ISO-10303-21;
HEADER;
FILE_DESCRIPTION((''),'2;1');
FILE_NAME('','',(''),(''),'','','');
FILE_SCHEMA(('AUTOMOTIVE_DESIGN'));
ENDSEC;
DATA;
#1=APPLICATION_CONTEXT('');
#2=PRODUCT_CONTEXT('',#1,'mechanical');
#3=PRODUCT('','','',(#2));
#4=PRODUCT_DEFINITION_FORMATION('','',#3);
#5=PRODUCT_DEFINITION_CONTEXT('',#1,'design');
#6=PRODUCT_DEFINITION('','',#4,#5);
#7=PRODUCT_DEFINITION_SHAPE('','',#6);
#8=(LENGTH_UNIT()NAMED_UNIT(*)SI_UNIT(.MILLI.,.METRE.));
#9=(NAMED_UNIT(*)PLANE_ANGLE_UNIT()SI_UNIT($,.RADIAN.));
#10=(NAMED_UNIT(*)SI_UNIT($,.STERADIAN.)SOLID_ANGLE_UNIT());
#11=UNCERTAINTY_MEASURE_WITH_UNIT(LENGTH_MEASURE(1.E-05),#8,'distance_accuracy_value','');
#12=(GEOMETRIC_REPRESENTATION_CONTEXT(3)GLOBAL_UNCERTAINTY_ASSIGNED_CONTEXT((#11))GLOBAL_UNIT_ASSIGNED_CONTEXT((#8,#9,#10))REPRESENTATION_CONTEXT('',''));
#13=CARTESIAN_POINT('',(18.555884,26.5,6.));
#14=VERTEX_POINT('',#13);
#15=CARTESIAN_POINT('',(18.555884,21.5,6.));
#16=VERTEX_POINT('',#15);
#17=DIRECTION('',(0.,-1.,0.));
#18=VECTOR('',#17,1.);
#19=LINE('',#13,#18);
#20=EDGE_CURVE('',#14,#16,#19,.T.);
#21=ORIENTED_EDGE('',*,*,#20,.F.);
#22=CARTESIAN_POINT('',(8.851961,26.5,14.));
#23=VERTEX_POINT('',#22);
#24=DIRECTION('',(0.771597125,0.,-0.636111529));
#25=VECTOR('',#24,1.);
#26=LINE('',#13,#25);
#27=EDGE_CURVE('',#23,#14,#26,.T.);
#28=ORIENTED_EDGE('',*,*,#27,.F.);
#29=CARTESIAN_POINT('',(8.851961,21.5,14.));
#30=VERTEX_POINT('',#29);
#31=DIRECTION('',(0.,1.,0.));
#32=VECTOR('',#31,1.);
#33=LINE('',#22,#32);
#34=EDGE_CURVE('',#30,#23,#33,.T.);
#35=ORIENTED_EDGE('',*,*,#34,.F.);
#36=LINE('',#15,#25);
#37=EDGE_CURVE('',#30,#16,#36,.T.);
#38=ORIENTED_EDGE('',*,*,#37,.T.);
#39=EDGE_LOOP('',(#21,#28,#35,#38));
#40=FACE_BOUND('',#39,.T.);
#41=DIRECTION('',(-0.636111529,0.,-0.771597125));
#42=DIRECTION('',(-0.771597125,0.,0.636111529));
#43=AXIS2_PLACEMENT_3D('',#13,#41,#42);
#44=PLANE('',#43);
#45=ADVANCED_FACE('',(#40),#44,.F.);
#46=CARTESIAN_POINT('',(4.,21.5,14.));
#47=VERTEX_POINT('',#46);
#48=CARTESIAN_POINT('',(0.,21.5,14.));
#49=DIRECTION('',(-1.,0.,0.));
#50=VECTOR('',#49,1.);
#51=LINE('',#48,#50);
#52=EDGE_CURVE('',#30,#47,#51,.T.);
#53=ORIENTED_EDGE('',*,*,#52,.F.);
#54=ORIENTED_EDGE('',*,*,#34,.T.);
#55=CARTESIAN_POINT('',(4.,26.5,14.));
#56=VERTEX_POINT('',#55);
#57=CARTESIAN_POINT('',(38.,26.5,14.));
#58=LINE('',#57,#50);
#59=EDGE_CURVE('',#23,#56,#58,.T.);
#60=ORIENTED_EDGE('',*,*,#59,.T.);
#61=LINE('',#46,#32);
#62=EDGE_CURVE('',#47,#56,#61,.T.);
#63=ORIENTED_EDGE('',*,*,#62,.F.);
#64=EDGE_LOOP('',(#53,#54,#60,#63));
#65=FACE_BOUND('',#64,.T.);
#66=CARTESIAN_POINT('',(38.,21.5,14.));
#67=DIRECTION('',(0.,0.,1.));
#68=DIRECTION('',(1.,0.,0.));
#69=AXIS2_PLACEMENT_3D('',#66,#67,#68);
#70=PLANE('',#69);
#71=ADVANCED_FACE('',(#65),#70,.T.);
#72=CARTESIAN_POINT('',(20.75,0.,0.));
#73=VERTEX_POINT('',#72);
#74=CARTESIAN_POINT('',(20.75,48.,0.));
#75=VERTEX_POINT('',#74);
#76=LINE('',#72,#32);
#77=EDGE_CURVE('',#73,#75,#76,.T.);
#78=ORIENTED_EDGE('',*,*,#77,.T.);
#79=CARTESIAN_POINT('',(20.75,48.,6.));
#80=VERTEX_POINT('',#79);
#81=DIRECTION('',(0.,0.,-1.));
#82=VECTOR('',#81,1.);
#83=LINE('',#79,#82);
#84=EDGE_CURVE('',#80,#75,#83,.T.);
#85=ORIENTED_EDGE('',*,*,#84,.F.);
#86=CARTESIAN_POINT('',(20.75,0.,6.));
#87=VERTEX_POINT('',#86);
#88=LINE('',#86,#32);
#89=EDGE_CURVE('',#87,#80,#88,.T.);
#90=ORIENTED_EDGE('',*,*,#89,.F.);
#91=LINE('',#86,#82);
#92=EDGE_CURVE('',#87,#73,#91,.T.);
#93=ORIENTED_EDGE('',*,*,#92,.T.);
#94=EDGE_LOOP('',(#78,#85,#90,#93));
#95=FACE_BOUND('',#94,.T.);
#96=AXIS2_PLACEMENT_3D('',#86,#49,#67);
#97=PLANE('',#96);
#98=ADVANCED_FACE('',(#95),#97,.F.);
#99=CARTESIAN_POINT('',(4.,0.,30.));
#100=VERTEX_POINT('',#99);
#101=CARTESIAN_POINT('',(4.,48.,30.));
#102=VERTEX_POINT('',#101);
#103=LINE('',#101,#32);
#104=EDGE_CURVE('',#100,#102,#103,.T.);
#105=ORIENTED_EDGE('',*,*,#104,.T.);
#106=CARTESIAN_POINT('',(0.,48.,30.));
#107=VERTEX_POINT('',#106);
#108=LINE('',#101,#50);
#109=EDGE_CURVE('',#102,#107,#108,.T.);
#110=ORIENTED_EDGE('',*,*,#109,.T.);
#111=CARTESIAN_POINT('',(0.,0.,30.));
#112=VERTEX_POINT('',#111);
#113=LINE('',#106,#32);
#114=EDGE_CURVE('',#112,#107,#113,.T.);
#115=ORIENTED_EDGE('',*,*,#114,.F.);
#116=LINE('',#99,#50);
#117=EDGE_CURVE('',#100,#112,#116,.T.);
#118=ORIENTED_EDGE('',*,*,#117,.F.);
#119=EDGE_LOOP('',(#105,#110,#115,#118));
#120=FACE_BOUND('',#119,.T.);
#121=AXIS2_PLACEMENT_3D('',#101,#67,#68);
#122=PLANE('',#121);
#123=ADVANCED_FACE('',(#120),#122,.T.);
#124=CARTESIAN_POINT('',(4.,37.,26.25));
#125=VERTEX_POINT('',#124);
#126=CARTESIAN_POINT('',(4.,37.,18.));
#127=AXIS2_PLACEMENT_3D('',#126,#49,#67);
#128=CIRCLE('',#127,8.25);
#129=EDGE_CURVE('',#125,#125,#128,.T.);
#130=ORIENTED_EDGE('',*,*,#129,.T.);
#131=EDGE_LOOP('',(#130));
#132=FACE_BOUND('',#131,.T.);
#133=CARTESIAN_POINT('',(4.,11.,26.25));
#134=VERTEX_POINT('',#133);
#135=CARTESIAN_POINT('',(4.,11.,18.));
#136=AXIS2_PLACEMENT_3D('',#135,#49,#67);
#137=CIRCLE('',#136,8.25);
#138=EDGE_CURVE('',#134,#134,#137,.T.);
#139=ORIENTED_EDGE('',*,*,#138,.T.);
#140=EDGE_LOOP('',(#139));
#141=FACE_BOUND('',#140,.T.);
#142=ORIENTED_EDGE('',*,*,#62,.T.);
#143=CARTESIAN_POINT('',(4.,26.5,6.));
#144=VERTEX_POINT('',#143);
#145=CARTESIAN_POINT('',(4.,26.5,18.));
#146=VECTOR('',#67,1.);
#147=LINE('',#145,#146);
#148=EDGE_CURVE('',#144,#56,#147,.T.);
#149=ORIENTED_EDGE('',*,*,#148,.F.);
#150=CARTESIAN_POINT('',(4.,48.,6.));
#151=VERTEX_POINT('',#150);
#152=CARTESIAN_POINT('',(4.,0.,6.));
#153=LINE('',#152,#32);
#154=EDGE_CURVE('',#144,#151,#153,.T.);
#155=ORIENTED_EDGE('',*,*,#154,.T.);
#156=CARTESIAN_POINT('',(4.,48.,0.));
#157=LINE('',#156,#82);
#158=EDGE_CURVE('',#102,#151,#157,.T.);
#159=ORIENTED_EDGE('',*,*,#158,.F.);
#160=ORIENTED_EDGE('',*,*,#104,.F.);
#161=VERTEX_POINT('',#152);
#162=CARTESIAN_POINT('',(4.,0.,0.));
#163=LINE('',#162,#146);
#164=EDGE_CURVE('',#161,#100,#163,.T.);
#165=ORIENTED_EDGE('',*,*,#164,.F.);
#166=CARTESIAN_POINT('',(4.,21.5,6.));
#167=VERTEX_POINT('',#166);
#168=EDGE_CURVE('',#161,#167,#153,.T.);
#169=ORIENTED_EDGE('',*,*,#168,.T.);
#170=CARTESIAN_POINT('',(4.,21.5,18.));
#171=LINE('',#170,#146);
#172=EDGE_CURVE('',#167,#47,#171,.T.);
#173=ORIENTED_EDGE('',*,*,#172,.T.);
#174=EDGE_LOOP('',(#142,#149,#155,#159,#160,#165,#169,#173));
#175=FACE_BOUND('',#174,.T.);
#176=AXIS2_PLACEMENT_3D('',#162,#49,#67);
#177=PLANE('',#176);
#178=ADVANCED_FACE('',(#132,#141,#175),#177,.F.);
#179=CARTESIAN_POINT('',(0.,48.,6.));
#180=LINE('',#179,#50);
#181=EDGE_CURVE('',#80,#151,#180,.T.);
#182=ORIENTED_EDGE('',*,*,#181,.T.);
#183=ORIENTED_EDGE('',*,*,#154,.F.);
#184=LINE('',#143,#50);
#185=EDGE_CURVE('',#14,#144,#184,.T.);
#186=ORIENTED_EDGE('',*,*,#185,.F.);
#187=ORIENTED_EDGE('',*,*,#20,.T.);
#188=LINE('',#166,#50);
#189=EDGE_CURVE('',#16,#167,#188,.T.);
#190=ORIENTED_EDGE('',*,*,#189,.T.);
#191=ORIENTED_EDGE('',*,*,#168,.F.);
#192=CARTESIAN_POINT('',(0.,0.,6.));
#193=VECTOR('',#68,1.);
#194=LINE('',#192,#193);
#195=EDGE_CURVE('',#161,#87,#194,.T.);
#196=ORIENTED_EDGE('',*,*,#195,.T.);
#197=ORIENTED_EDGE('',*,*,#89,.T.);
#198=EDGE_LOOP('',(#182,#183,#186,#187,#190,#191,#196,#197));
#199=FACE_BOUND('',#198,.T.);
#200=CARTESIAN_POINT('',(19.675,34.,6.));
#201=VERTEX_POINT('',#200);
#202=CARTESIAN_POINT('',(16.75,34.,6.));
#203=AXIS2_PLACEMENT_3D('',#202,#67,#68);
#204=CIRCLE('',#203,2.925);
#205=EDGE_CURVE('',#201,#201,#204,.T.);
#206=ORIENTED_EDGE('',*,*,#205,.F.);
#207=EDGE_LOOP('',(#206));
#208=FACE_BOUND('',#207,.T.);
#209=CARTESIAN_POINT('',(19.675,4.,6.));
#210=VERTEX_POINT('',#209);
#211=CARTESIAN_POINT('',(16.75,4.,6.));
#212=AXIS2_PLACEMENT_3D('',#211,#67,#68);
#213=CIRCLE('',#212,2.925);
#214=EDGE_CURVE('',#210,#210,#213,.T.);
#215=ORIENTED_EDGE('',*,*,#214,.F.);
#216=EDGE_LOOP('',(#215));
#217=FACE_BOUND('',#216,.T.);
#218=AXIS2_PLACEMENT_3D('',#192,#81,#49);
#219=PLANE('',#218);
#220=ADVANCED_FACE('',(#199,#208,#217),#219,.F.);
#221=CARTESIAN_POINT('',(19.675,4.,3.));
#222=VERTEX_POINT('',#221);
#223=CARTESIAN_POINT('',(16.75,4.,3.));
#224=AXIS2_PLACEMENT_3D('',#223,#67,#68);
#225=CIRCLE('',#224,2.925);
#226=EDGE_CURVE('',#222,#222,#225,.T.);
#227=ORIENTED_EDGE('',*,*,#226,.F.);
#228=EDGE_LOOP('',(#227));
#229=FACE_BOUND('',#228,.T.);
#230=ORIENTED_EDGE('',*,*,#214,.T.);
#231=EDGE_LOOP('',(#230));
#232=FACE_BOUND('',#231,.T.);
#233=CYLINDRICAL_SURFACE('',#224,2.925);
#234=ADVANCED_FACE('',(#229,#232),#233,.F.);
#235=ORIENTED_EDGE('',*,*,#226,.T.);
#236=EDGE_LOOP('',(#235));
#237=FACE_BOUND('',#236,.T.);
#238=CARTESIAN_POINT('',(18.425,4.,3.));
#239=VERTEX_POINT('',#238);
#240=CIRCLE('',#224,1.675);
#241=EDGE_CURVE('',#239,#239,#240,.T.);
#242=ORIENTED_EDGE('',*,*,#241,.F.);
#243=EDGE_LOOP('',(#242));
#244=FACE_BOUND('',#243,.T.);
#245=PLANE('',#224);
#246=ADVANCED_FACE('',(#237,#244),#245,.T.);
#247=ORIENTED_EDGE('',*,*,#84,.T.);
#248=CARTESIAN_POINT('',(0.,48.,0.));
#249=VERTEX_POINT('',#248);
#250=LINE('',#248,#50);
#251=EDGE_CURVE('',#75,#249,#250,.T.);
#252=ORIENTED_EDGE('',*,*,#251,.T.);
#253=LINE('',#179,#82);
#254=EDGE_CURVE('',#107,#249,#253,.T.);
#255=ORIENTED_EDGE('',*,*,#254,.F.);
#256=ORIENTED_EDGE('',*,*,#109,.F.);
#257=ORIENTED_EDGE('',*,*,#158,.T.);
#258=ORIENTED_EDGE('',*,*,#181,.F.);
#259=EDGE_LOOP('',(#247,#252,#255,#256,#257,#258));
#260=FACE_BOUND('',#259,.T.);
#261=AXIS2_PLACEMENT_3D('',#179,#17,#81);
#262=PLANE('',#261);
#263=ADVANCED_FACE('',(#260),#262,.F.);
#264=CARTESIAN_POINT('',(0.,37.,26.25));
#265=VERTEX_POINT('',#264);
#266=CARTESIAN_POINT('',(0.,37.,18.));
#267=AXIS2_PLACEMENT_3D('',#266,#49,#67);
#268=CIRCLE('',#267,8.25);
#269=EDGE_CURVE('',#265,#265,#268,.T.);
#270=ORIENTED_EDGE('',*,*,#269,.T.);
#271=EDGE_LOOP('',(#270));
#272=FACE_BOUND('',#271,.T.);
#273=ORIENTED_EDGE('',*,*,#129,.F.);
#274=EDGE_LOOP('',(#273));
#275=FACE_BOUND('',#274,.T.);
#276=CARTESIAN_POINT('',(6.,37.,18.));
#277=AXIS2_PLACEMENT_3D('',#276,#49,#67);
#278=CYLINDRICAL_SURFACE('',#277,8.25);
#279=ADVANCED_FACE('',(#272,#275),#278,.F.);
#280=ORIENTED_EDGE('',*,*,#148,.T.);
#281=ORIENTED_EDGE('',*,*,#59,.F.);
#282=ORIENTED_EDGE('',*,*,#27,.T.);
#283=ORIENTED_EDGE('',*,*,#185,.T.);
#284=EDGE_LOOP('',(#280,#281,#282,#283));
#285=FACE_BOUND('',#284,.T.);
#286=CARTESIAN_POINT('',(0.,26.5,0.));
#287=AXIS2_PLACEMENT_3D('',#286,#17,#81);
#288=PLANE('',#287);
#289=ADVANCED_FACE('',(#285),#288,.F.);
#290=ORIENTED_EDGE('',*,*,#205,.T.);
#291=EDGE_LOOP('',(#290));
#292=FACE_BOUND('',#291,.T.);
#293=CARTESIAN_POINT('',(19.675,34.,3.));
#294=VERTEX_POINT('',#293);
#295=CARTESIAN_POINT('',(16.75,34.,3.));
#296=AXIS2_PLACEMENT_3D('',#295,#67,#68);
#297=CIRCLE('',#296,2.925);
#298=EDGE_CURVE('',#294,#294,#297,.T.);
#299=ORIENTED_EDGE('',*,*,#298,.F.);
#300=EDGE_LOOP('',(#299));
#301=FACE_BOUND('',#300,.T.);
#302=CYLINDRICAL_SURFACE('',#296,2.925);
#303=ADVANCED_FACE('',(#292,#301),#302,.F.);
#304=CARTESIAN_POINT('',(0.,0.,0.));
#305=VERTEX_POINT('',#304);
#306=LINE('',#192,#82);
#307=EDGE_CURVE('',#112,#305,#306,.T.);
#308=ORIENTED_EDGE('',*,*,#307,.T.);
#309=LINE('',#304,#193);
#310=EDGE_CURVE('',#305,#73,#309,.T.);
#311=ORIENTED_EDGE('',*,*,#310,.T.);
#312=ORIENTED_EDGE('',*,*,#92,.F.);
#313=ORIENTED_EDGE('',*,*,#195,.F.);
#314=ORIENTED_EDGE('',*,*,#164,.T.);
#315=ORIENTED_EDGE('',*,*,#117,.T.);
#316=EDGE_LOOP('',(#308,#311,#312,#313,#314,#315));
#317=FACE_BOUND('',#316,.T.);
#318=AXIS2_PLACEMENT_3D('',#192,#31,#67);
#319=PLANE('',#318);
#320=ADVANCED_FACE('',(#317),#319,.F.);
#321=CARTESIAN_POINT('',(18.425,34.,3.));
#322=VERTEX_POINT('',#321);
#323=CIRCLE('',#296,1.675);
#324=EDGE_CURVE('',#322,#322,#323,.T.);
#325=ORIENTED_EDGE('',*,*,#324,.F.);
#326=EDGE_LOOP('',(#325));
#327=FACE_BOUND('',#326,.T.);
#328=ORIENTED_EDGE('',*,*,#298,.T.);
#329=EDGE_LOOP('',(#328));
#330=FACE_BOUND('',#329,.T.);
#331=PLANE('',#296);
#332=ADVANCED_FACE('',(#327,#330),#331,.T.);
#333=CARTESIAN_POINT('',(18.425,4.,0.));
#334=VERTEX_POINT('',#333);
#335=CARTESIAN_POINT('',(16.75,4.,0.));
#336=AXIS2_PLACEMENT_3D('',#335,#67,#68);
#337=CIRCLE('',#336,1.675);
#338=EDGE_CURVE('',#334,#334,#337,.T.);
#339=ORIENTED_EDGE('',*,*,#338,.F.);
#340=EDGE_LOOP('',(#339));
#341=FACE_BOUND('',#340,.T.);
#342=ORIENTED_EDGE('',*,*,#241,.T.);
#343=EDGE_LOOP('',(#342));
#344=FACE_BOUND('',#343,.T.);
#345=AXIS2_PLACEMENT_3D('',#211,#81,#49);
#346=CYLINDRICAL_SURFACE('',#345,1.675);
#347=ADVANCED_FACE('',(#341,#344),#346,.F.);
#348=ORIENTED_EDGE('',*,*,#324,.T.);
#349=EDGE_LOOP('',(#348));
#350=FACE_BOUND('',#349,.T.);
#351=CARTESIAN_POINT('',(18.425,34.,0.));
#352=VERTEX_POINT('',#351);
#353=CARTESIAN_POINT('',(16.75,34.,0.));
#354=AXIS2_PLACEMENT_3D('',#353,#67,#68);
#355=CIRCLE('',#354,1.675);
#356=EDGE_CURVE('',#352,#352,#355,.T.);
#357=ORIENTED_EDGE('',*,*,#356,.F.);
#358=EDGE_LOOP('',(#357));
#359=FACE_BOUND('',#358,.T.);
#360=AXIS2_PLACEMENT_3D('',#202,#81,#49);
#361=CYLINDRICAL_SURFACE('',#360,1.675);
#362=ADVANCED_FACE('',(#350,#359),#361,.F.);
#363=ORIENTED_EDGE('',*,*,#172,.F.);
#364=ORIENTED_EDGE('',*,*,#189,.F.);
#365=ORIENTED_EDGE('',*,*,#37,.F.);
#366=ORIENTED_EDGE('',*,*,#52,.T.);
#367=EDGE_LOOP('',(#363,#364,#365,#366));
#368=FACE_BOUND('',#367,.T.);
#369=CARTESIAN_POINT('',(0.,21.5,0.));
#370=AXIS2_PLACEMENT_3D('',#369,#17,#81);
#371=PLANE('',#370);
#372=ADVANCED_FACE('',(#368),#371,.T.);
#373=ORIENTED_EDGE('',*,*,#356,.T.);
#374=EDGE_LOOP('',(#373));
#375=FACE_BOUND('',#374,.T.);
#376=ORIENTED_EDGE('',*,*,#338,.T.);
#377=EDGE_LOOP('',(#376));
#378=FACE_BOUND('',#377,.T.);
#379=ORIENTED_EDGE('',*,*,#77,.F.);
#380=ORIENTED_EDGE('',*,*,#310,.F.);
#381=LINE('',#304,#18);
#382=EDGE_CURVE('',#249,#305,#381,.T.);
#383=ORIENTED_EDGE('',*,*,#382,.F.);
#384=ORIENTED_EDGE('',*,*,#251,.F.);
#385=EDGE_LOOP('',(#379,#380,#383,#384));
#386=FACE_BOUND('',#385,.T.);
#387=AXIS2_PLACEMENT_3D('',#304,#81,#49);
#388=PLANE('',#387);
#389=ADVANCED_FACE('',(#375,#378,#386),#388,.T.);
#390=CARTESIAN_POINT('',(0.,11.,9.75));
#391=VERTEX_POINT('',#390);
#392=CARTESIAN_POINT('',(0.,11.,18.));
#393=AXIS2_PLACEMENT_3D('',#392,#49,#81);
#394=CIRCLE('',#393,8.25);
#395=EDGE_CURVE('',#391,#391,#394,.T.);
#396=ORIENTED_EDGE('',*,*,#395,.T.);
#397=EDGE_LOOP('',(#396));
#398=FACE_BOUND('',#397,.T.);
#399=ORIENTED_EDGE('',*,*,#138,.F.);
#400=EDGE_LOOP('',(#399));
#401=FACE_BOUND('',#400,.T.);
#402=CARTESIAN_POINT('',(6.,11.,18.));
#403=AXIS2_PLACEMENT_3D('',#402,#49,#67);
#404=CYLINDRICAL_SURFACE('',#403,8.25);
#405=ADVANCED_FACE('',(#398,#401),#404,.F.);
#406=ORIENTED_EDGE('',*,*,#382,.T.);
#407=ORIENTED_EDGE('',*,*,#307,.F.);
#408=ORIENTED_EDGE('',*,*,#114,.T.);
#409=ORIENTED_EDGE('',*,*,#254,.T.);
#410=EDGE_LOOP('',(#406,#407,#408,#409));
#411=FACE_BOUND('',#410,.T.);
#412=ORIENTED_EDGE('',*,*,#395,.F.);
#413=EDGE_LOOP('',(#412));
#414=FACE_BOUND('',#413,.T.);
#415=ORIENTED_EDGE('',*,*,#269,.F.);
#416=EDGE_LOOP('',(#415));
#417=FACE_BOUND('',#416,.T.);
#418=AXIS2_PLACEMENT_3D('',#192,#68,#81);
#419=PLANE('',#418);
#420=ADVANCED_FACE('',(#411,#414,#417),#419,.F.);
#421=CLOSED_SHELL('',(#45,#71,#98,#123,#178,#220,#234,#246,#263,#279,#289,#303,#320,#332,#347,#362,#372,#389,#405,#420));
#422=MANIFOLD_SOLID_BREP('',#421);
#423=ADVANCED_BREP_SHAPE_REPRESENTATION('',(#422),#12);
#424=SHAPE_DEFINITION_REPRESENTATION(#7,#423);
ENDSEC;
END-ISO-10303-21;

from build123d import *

# Parameters (mm, degrees)
SKETCH1_W           = 20.75
SKETCH1_H           = 48
SKETCH1_R           = 1.675
BOSS_EXTRUDE1_DEPTH = 6
SKETCH2_W           = 30
SKETCH2_H           = 48
BOSS_EXTRUDE2_DEPTH = 4
SKETCH3_R           = 8.25
CUT_EXTRUDE1_DEPTH  = 6
BOSS_EXTRUDE3_START = -26.5
BOSS_EXTRUDE3_DEPTH = 5
SKETCH5_R           = 2.925
CUT_EXTRUDE2_DEPTH  = 3
SKETCH6_W           = 4
SKETCH6_H           = 5
CUT_EXTRUDE3_DEPTH  = 34


with BuildPart() as part:
    # Sketch1 → Boss-Extrude1 (new body)
    with BuildSketch(Plane.XY):
        with Locations((10.375, 24)):
            Rectangle(SKETCH1_W, SKETCH1_H)
        with Locations((16.75, 34)):
            Circle(SKETCH1_R, mode=Mode.SUBTRACT)
        with Locations((16.75, 4)):
            Circle(SKETCH1_R, mode=Mode.SUBTRACT)
    extrude(amount=BOSS_EXTRUDE1_DEPTH)

    # Sketch2 → Boss-Extrude2 (add)
    with BuildSketch(Plane.ZY):
        with Locations((15, 24)):
            Rectangle(SKETCH2_W, SKETCH2_H)
    extrude(amount=-BOSS_EXTRUDE2_DEPTH)

    # Sketch3 → Cut-Extrude1 (cut)
    with BuildSketch(Plane.ZY):
        with Locations((18, 37)):
            Circle(SKETCH3_R)
        with Locations((18, 11)):
            Circle(SKETCH3_R)
    extrude(amount=-CUT_EXTRUDE1_DEPTH, mode=Mode.SUBTRACT)

    # Sketch4 → Boss-Extrude3 (add)
    with BuildSketch(Plane(origin=(0, 48, 0), x_dir=(1, 0, 0), z_dir=(0, 1, 0)).offset(BOSS_EXTRUDE3_START)):
        Polygon((4, -18), (4, -6), (18.555883802, -6), align=None)
    extrude(amount=BOSS_EXTRUDE3_DEPTH)

    # Sketch5 → Cut-Extrude2 (cut)
    with BuildSketch(Plane.XY.offset(6)):
        with Locations((16.75, 34)):
            Circle(SKETCH5_R)
        with Locations((16.75, 4)):
            Circle(SKETCH5_R)
    extrude(amount=-CUT_EXTRUDE2_DEPTH, mode=Mode.SUBTRACT)

    # Sketch6 → Cut-Extrude3 (cut)
    with BuildSketch(Plane(origin=(4, 0, 0), x_dir=(0, 0, -1), z_dir=(1, 0, 0))):
        with Locations((-16, 24)):
            Rectangle(SKETCH6_W, SKETCH6_H)
    extrude(amount=CUT_EXTRUDE3_DEPTH, mode=Mode.SUBTRACT)


solid = part.part
